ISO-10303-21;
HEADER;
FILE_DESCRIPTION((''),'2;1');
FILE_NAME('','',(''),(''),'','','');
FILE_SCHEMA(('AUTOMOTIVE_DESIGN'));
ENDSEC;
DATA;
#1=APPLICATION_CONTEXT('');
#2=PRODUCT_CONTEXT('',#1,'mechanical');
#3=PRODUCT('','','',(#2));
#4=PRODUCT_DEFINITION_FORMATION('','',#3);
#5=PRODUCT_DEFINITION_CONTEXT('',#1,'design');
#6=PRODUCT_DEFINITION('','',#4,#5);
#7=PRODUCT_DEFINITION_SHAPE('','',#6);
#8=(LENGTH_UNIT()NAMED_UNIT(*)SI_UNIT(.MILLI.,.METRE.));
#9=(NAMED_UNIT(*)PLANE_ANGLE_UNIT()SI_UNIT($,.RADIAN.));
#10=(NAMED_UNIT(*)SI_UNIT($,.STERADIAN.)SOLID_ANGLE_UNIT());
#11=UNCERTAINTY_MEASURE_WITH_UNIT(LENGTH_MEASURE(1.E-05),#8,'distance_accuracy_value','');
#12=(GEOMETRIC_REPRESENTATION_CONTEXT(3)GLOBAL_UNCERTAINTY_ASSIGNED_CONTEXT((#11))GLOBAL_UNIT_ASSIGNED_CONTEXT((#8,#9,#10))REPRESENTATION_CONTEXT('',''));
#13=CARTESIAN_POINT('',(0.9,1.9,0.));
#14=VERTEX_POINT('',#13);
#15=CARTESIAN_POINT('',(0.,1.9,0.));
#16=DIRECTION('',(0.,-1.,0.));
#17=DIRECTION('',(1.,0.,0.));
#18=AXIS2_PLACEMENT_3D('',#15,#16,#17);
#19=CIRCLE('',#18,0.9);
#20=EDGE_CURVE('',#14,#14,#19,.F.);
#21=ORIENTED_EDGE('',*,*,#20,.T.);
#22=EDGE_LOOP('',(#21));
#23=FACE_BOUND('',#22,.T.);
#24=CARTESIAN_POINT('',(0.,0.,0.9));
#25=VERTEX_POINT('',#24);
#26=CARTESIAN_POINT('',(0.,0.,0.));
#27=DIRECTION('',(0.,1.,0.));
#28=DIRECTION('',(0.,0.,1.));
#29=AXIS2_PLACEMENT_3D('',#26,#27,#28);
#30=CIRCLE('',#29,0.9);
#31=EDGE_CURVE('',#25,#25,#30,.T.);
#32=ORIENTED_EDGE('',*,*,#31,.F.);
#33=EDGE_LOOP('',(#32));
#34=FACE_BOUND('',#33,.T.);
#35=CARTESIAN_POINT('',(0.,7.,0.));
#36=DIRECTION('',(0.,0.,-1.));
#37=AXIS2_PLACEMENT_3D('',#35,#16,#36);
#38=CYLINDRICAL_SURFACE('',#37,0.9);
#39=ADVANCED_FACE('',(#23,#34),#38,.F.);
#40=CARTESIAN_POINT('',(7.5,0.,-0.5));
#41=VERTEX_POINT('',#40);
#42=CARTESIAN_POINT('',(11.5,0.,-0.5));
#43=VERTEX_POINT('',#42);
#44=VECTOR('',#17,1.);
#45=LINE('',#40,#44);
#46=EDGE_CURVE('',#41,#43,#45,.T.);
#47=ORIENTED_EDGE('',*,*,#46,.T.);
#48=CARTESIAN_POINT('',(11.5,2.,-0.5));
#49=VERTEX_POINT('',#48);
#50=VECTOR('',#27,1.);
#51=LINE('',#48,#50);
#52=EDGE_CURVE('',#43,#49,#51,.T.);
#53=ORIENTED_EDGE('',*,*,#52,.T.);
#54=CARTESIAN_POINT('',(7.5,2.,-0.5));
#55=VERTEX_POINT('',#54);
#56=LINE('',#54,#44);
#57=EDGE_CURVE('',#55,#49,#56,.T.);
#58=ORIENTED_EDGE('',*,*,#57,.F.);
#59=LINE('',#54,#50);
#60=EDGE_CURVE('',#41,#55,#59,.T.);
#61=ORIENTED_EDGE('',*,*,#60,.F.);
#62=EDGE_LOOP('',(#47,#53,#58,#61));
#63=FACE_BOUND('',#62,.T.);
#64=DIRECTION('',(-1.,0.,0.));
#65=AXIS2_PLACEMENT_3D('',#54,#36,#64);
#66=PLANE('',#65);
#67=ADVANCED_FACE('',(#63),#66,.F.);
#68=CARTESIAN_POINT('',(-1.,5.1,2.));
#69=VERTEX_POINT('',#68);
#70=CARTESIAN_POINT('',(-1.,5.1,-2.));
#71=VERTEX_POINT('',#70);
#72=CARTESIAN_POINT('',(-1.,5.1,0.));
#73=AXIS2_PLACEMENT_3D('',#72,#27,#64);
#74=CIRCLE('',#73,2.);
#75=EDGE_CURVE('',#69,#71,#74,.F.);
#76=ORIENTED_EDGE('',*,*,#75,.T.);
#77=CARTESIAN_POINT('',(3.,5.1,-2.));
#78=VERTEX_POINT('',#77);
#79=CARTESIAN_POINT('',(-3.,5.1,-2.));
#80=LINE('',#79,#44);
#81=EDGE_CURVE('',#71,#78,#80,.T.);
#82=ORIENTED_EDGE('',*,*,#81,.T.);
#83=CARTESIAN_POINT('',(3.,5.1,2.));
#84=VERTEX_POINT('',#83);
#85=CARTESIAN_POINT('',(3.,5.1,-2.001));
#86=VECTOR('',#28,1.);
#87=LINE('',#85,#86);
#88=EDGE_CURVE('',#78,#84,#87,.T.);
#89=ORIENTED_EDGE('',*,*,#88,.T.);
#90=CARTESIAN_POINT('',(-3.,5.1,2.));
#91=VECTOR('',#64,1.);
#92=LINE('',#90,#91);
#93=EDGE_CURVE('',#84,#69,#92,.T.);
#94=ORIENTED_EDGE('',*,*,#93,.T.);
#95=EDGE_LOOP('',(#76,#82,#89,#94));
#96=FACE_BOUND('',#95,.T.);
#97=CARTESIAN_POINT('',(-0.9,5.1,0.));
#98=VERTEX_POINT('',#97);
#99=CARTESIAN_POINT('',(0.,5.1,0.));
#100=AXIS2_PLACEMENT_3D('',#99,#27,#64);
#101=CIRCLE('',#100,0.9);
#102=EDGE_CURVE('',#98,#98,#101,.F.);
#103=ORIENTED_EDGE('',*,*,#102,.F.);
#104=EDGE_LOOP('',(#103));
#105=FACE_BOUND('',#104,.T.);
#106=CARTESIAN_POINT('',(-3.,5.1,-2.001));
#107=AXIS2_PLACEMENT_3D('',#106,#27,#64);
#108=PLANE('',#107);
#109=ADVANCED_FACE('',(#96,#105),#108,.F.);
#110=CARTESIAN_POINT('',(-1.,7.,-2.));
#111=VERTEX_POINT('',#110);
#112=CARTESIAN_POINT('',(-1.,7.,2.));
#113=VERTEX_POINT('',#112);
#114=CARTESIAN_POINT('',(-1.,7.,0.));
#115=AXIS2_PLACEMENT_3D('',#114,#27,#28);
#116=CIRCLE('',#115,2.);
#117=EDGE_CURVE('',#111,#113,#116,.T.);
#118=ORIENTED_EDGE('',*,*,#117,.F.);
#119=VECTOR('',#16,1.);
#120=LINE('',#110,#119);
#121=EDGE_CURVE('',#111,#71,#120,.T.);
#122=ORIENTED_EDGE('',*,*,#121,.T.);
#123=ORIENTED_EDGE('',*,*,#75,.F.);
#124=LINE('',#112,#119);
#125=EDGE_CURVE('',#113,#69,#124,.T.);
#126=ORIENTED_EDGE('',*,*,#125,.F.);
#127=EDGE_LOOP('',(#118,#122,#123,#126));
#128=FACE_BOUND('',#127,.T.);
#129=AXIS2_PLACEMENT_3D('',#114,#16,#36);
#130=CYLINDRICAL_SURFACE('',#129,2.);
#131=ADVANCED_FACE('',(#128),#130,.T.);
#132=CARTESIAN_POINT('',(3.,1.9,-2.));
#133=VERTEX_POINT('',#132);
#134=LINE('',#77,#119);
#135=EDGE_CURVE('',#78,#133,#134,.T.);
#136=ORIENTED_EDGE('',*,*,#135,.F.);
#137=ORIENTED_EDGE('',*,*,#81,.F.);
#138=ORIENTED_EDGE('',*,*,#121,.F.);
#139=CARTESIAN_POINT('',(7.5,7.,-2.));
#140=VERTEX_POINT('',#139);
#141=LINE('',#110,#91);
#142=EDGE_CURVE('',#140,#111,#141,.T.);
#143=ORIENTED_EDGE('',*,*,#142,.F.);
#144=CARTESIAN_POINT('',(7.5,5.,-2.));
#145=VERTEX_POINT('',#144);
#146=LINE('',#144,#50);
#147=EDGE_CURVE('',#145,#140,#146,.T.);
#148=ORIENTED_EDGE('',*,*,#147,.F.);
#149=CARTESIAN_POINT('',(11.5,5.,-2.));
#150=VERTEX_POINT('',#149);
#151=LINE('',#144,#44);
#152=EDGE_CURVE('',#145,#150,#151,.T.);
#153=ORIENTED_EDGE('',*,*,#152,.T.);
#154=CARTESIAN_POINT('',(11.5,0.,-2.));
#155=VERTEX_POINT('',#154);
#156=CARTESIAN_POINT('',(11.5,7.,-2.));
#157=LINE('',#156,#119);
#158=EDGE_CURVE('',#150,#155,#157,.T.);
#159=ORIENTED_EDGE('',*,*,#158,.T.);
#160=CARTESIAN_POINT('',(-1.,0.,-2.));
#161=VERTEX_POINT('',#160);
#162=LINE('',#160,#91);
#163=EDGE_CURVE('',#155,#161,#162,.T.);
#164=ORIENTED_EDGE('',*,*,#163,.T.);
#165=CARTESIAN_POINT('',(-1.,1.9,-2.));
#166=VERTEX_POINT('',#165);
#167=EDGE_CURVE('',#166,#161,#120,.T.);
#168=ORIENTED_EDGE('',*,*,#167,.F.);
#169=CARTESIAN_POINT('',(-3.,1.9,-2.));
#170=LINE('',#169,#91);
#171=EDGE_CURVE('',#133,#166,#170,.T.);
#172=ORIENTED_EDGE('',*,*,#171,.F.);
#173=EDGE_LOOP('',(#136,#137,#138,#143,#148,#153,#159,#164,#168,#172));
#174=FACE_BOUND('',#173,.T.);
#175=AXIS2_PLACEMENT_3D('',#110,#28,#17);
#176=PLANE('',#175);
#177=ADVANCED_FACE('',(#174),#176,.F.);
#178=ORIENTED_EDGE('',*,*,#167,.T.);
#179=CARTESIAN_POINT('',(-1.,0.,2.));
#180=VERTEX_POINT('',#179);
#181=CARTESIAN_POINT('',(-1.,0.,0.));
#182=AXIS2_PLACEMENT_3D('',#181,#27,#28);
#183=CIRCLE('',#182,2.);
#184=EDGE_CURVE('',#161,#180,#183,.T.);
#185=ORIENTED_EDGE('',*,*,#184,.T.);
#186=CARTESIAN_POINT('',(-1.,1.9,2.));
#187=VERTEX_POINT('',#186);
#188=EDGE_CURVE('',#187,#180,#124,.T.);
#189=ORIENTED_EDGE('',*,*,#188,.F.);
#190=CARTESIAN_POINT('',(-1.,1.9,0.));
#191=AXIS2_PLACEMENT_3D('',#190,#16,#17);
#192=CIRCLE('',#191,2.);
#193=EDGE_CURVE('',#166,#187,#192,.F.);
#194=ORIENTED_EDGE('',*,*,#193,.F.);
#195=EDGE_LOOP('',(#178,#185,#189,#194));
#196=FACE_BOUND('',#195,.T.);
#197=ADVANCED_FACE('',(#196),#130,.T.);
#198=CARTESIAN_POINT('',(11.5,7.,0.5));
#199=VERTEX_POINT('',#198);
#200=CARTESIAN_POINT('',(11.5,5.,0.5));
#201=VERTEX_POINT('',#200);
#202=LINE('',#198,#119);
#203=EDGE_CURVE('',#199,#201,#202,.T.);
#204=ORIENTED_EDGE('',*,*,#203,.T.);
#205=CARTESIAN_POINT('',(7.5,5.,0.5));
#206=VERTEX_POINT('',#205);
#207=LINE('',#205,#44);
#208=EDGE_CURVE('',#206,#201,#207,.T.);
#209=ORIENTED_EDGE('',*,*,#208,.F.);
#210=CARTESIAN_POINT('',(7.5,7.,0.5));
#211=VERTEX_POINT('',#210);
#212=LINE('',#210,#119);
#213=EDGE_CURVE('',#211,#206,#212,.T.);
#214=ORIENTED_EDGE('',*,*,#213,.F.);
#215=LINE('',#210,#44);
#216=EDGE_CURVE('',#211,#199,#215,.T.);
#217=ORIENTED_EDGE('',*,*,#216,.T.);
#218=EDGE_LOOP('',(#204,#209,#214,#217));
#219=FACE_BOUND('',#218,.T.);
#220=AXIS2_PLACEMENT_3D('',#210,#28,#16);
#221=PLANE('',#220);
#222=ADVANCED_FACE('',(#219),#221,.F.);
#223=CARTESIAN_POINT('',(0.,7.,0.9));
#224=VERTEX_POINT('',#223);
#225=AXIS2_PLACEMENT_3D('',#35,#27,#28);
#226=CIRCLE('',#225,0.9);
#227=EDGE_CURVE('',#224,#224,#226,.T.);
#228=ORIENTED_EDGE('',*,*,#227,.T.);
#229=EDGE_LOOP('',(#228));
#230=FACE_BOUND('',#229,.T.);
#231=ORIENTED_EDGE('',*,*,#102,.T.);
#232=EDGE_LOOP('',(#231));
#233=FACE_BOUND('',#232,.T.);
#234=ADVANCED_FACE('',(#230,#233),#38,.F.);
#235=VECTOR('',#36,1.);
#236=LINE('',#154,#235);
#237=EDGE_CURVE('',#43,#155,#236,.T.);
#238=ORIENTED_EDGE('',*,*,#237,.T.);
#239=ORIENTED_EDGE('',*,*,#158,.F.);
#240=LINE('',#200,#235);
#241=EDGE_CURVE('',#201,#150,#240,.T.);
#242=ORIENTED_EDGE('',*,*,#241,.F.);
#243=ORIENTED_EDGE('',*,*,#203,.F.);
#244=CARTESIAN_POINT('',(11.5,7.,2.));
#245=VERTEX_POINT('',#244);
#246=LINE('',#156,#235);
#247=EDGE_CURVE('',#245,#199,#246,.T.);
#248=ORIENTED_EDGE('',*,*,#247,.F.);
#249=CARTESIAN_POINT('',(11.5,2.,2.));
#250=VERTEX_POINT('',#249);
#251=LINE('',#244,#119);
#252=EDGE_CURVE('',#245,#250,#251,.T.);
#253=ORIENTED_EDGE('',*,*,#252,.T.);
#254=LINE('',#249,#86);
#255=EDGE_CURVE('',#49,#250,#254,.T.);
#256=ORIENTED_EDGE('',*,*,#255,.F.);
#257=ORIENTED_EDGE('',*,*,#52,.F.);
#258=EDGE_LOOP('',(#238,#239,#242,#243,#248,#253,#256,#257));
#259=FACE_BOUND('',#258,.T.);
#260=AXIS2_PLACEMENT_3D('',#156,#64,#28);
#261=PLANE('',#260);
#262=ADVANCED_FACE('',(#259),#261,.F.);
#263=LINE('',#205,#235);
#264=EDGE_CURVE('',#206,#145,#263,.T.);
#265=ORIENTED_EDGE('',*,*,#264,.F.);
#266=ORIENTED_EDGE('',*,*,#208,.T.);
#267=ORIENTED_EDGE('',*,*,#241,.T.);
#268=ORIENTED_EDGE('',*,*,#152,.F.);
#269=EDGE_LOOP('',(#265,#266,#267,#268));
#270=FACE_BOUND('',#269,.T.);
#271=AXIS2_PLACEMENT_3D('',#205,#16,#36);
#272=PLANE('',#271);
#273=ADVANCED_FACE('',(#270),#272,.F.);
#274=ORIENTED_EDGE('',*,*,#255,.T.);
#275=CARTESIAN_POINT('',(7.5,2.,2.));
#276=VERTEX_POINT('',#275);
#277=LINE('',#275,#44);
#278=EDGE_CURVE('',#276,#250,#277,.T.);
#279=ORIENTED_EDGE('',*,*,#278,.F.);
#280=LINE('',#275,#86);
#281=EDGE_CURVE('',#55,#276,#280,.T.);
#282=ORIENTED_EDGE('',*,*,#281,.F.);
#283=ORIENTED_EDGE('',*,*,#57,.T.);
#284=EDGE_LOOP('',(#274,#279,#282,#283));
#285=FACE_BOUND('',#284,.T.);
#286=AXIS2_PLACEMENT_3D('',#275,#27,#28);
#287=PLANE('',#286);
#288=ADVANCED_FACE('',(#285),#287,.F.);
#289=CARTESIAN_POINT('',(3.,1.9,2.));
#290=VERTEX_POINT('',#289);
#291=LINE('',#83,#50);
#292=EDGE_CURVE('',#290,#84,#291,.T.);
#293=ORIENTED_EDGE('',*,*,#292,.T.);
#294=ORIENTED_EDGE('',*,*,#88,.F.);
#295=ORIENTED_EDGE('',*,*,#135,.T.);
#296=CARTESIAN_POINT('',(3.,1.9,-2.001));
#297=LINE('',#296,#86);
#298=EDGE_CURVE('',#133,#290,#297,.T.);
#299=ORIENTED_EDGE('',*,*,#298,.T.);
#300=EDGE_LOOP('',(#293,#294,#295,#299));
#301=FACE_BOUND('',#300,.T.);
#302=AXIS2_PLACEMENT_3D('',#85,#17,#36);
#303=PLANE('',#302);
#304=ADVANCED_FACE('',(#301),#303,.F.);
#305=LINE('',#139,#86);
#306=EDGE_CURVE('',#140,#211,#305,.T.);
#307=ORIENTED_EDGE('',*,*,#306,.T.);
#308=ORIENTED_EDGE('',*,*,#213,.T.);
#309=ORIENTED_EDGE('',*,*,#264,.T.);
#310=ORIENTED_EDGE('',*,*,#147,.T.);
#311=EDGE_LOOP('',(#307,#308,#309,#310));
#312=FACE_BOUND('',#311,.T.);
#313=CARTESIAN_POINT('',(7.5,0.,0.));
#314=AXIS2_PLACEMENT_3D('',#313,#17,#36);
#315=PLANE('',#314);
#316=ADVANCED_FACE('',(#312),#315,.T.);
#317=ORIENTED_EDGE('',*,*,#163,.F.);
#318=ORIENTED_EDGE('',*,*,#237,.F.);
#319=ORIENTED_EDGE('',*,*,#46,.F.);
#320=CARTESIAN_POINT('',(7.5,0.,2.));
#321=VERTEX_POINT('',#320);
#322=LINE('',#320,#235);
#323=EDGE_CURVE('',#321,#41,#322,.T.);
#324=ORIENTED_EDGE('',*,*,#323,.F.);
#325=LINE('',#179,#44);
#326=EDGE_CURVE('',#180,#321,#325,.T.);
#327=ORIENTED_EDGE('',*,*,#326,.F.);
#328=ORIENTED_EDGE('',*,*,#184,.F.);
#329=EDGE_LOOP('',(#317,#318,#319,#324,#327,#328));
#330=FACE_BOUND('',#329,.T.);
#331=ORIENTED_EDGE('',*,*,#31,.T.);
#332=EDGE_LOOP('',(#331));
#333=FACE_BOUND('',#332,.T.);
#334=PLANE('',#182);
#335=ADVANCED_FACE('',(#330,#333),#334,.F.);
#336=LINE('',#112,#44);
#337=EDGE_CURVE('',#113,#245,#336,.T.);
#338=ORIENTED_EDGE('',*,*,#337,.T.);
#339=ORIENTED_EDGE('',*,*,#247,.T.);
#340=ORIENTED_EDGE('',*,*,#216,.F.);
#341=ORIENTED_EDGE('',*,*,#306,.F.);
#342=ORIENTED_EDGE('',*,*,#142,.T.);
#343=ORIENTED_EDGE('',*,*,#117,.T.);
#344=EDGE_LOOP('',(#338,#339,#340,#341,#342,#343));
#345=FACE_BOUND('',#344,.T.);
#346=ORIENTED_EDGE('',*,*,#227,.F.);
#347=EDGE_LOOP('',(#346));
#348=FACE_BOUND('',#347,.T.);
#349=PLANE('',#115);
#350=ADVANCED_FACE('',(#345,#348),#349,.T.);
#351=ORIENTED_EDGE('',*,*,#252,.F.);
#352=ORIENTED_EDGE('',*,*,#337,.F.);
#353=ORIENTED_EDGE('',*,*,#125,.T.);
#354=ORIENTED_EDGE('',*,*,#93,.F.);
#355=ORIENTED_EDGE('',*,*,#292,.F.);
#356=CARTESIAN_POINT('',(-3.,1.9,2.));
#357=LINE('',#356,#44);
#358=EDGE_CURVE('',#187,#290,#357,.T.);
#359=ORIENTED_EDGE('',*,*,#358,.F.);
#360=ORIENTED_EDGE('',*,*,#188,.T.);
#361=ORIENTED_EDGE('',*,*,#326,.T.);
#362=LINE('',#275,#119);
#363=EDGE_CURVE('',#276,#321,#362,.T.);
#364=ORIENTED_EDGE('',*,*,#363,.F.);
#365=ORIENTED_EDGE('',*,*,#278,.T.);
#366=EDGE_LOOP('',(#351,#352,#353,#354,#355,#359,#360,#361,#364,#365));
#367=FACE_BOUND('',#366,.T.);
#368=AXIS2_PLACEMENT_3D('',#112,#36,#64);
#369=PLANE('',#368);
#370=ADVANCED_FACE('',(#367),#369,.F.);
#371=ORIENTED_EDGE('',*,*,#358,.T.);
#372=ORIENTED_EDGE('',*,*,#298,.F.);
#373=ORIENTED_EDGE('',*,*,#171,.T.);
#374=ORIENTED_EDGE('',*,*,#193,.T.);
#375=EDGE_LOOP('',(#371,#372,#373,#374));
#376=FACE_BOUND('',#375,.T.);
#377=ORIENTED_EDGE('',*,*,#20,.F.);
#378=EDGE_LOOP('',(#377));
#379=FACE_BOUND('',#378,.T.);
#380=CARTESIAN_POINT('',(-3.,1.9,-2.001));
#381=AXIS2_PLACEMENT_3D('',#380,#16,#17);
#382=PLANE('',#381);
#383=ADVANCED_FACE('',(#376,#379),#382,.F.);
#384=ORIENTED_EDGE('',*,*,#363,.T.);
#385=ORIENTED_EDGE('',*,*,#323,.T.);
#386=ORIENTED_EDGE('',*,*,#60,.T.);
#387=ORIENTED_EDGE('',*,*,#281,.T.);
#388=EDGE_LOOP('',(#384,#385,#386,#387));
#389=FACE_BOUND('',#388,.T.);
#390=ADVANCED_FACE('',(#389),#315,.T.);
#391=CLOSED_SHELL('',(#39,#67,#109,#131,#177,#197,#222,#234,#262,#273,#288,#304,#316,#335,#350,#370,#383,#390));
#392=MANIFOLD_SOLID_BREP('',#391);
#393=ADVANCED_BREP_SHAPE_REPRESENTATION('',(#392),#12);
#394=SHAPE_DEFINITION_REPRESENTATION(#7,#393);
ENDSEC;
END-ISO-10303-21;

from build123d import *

# Parameters (mm, degrees)
SKETCH1_R           = 0.9
BOSS_EXTRUDE1_DEPTH = 7
CUT_EXTRUDE1_REACH  = 16.045
SKETCH2_W           = 6
SKETCH2_H           = 3.2
SKETCH3_W           = 2.5
SKETCH3_H           = 2
CUT_EXTRUDE2_DEPTH  = 4


with BuildPart() as part:
    # Sketch1 → Boss-Extrude1 (new body)
    with BuildSketch(Plane(origin=(0, 0, 0), x_dir=(1, 0, 0), z_dir=(0, 1, 0))):
        with BuildLine():
            Line((-1, 2), (11.5, 2))
            Line((11.5, 2), (11.5, -2))
            Line((11.5, -2), (-1, -2))
            ThreePointArc((-1, -2), (-3, 0), (-1, 2))
        make_face()
        with Locations(Location((0, 0, 0), (0, 0, 270))):
            Circle(SKETCH1_R, mode=Mode.SUBTRACT)
    extrude(amount=BOSS_EXTRUDE1_DEPTH)

    # Sketch2 → Cut-Extrude1 (cut, up to next)
    with BuildSketch(Plane.XY.offset(2), mode=Mode.PRIVATE) as cut_extrude1_sk1:
        with Locations((0, 3.5)):
            Rectangle(SKETCH2_W, SKETCH2_H)
    cut_extrude1_tool1 = extrude(cut_extrude1_sk1.sketch, amount=-CUT_EXTRUDE1_REACH, mode=Mode.PRIVATE) & part.part
    add(cut_extrude1_tool1.solids().sort_by_distance((0, 3.5, 2))[0], mode=Mode.SUBTRACT)

    # Sketch3 → Cut-Extrude2 (cut)
    with BuildSketch(Plane(origin=(11.5, 0, 0), x_dir=(0, 0, -1), z_dir=(1, 0, 0))):
        with Locations((0.75, 6)):
            Rectangle(SKETCH3_W, SKETCH3_H)
        with Locations((-0.75, 1)):
            Rectangle(SKETCH3_W, SKETCH3_H)
    extrude(amount=-CUT_EXTRUDE2_DEPTH, mode=Mode.SUBTRACT)


solid = part.part
